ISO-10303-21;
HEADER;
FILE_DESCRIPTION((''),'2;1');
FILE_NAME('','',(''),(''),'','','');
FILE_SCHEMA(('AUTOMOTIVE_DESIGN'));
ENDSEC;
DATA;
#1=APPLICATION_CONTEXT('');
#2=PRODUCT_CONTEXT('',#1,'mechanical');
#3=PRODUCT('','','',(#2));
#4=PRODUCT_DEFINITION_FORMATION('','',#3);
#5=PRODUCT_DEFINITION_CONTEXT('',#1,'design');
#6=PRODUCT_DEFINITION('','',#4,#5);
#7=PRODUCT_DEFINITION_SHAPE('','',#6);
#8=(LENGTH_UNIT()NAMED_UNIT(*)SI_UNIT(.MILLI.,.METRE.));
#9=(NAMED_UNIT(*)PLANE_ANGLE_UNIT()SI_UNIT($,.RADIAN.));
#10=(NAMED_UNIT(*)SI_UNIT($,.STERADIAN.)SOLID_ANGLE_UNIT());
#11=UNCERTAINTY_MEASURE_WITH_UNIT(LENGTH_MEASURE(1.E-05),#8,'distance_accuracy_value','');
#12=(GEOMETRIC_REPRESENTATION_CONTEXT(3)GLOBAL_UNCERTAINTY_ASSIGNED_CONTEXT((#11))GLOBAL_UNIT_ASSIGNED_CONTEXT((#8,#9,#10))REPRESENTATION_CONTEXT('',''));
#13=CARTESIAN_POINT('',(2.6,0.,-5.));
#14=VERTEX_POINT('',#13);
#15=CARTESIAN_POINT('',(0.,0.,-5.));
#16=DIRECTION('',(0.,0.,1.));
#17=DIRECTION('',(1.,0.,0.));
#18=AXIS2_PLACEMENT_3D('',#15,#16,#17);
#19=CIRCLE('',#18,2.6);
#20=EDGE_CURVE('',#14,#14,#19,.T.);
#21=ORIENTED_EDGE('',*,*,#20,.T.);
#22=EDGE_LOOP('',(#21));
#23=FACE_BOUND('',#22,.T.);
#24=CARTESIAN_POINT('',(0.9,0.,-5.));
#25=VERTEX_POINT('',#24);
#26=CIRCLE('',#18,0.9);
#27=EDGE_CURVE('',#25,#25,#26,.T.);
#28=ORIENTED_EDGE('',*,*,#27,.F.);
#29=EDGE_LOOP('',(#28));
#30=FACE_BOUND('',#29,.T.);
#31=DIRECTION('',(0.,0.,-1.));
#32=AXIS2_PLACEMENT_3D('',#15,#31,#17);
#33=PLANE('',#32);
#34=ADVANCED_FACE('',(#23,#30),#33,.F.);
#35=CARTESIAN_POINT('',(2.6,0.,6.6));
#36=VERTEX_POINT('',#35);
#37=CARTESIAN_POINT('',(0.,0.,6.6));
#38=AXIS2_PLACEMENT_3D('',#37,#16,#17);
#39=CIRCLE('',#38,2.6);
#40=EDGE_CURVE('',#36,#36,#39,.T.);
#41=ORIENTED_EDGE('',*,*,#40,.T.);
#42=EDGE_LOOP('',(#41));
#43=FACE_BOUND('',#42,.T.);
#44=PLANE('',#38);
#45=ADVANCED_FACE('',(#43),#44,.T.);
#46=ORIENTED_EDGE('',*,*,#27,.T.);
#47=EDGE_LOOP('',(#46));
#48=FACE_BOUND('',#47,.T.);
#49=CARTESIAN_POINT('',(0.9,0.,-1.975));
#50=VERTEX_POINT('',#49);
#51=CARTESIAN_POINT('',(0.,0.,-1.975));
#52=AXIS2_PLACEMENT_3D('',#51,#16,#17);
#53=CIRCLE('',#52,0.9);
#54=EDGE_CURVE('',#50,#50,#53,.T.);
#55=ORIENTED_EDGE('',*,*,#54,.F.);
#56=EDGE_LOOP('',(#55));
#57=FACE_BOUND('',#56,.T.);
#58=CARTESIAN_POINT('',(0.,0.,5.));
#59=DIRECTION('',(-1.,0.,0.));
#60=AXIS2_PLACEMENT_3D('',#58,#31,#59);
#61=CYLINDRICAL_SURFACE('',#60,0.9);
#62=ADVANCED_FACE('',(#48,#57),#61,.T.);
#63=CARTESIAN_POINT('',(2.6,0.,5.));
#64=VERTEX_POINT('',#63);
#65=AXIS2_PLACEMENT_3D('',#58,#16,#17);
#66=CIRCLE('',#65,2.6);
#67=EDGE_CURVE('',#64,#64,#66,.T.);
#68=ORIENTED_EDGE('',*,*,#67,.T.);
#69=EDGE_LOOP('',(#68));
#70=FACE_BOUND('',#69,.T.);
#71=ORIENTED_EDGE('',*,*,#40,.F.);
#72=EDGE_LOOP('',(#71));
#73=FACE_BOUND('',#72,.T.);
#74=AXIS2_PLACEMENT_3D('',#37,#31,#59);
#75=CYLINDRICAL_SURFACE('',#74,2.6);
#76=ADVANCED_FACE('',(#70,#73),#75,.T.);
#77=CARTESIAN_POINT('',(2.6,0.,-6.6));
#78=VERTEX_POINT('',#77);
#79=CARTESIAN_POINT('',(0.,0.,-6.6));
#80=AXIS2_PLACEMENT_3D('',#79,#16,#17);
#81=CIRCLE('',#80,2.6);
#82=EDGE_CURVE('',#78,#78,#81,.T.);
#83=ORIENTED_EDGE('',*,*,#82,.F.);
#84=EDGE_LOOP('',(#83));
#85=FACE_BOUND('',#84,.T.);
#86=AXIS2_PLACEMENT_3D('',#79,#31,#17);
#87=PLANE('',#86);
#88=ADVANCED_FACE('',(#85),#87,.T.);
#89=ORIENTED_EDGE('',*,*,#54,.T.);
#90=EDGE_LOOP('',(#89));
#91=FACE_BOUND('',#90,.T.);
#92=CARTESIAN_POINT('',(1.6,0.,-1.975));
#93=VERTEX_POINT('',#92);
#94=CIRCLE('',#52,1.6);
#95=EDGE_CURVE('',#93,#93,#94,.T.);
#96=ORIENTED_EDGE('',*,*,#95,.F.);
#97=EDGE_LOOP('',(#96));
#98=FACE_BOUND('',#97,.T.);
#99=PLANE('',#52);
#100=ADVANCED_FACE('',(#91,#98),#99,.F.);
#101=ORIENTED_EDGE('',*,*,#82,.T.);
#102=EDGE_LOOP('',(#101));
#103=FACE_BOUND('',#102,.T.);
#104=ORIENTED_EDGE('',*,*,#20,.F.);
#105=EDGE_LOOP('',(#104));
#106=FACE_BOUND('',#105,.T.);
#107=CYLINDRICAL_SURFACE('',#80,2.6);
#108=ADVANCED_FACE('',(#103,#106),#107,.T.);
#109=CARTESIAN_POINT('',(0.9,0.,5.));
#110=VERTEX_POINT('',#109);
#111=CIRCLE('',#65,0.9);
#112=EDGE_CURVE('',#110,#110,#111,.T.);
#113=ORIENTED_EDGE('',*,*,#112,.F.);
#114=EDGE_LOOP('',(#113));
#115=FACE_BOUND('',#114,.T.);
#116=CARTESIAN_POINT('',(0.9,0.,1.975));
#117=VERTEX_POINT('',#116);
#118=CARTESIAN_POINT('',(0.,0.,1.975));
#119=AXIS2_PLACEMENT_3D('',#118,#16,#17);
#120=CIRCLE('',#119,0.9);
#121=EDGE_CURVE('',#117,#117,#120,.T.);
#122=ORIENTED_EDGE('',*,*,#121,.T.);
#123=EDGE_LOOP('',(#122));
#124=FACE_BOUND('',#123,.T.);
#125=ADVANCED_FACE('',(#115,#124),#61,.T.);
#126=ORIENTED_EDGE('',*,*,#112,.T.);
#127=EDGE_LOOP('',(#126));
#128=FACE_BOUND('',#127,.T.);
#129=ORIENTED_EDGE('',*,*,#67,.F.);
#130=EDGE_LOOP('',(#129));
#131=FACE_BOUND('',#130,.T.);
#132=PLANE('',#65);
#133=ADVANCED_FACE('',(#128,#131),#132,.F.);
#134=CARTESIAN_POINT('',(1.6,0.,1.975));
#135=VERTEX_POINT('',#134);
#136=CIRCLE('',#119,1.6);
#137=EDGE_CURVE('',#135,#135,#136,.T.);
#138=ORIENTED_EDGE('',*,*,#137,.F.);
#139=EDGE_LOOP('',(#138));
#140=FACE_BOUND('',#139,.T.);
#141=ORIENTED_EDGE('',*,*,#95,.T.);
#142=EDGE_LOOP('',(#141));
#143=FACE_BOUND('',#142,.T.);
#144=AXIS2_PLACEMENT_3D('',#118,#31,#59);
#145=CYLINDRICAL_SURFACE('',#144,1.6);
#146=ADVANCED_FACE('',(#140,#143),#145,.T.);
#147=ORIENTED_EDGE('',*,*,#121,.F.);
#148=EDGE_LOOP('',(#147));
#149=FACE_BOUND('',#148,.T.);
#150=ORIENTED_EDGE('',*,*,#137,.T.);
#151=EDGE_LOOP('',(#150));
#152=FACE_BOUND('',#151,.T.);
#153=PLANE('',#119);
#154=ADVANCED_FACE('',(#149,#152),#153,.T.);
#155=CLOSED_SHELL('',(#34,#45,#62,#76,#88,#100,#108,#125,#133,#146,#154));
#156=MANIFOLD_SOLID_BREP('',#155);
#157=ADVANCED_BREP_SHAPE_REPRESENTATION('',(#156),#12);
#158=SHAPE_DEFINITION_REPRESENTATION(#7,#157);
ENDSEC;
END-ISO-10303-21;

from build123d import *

# Parameters (mm, degrees)
SKETCH1_R           = 0.9
BOSS_EXTRUDE1_DEPTH = 5
SKETCH2_R           = 1.6
BOSS_EXTRUDE2_DEPTH = 1.975
SKETCH3_R           = 2.6
BOSS_EXTRUDE3_DEPTH = 1.6


with BuildPart() as part:
    # Sketch1 → Boss-Extrude1 (new, symmetric)
    with BuildSketch(Plane.XY):
        Circle(SKETCH1_R)
    extrude(amount=BOSS_EXTRUDE1_DEPTH, both=True)

    # Sketch2 → Boss-Extrude2 (add, symmetric)
    with BuildSketch(Plane.XY):
        Circle(SKETCH2_R)
    extrude(amount=BOSS_EXTRUDE2_DEPTH, both=True)

    # Sketch3 → Boss-Extrude3 (add)
    with BuildSketch(Plane.XY.offset(5)):
        Circle(SKETCH3_R)
    boss_extrude3 = extrude(amount=BOSS_EXTRUDE3_DEPTH)

    # Mirror1: Boss-Extrude3 across plane
    add(boss_extrude3.mirror(Plane.XY))


solid = part.part
